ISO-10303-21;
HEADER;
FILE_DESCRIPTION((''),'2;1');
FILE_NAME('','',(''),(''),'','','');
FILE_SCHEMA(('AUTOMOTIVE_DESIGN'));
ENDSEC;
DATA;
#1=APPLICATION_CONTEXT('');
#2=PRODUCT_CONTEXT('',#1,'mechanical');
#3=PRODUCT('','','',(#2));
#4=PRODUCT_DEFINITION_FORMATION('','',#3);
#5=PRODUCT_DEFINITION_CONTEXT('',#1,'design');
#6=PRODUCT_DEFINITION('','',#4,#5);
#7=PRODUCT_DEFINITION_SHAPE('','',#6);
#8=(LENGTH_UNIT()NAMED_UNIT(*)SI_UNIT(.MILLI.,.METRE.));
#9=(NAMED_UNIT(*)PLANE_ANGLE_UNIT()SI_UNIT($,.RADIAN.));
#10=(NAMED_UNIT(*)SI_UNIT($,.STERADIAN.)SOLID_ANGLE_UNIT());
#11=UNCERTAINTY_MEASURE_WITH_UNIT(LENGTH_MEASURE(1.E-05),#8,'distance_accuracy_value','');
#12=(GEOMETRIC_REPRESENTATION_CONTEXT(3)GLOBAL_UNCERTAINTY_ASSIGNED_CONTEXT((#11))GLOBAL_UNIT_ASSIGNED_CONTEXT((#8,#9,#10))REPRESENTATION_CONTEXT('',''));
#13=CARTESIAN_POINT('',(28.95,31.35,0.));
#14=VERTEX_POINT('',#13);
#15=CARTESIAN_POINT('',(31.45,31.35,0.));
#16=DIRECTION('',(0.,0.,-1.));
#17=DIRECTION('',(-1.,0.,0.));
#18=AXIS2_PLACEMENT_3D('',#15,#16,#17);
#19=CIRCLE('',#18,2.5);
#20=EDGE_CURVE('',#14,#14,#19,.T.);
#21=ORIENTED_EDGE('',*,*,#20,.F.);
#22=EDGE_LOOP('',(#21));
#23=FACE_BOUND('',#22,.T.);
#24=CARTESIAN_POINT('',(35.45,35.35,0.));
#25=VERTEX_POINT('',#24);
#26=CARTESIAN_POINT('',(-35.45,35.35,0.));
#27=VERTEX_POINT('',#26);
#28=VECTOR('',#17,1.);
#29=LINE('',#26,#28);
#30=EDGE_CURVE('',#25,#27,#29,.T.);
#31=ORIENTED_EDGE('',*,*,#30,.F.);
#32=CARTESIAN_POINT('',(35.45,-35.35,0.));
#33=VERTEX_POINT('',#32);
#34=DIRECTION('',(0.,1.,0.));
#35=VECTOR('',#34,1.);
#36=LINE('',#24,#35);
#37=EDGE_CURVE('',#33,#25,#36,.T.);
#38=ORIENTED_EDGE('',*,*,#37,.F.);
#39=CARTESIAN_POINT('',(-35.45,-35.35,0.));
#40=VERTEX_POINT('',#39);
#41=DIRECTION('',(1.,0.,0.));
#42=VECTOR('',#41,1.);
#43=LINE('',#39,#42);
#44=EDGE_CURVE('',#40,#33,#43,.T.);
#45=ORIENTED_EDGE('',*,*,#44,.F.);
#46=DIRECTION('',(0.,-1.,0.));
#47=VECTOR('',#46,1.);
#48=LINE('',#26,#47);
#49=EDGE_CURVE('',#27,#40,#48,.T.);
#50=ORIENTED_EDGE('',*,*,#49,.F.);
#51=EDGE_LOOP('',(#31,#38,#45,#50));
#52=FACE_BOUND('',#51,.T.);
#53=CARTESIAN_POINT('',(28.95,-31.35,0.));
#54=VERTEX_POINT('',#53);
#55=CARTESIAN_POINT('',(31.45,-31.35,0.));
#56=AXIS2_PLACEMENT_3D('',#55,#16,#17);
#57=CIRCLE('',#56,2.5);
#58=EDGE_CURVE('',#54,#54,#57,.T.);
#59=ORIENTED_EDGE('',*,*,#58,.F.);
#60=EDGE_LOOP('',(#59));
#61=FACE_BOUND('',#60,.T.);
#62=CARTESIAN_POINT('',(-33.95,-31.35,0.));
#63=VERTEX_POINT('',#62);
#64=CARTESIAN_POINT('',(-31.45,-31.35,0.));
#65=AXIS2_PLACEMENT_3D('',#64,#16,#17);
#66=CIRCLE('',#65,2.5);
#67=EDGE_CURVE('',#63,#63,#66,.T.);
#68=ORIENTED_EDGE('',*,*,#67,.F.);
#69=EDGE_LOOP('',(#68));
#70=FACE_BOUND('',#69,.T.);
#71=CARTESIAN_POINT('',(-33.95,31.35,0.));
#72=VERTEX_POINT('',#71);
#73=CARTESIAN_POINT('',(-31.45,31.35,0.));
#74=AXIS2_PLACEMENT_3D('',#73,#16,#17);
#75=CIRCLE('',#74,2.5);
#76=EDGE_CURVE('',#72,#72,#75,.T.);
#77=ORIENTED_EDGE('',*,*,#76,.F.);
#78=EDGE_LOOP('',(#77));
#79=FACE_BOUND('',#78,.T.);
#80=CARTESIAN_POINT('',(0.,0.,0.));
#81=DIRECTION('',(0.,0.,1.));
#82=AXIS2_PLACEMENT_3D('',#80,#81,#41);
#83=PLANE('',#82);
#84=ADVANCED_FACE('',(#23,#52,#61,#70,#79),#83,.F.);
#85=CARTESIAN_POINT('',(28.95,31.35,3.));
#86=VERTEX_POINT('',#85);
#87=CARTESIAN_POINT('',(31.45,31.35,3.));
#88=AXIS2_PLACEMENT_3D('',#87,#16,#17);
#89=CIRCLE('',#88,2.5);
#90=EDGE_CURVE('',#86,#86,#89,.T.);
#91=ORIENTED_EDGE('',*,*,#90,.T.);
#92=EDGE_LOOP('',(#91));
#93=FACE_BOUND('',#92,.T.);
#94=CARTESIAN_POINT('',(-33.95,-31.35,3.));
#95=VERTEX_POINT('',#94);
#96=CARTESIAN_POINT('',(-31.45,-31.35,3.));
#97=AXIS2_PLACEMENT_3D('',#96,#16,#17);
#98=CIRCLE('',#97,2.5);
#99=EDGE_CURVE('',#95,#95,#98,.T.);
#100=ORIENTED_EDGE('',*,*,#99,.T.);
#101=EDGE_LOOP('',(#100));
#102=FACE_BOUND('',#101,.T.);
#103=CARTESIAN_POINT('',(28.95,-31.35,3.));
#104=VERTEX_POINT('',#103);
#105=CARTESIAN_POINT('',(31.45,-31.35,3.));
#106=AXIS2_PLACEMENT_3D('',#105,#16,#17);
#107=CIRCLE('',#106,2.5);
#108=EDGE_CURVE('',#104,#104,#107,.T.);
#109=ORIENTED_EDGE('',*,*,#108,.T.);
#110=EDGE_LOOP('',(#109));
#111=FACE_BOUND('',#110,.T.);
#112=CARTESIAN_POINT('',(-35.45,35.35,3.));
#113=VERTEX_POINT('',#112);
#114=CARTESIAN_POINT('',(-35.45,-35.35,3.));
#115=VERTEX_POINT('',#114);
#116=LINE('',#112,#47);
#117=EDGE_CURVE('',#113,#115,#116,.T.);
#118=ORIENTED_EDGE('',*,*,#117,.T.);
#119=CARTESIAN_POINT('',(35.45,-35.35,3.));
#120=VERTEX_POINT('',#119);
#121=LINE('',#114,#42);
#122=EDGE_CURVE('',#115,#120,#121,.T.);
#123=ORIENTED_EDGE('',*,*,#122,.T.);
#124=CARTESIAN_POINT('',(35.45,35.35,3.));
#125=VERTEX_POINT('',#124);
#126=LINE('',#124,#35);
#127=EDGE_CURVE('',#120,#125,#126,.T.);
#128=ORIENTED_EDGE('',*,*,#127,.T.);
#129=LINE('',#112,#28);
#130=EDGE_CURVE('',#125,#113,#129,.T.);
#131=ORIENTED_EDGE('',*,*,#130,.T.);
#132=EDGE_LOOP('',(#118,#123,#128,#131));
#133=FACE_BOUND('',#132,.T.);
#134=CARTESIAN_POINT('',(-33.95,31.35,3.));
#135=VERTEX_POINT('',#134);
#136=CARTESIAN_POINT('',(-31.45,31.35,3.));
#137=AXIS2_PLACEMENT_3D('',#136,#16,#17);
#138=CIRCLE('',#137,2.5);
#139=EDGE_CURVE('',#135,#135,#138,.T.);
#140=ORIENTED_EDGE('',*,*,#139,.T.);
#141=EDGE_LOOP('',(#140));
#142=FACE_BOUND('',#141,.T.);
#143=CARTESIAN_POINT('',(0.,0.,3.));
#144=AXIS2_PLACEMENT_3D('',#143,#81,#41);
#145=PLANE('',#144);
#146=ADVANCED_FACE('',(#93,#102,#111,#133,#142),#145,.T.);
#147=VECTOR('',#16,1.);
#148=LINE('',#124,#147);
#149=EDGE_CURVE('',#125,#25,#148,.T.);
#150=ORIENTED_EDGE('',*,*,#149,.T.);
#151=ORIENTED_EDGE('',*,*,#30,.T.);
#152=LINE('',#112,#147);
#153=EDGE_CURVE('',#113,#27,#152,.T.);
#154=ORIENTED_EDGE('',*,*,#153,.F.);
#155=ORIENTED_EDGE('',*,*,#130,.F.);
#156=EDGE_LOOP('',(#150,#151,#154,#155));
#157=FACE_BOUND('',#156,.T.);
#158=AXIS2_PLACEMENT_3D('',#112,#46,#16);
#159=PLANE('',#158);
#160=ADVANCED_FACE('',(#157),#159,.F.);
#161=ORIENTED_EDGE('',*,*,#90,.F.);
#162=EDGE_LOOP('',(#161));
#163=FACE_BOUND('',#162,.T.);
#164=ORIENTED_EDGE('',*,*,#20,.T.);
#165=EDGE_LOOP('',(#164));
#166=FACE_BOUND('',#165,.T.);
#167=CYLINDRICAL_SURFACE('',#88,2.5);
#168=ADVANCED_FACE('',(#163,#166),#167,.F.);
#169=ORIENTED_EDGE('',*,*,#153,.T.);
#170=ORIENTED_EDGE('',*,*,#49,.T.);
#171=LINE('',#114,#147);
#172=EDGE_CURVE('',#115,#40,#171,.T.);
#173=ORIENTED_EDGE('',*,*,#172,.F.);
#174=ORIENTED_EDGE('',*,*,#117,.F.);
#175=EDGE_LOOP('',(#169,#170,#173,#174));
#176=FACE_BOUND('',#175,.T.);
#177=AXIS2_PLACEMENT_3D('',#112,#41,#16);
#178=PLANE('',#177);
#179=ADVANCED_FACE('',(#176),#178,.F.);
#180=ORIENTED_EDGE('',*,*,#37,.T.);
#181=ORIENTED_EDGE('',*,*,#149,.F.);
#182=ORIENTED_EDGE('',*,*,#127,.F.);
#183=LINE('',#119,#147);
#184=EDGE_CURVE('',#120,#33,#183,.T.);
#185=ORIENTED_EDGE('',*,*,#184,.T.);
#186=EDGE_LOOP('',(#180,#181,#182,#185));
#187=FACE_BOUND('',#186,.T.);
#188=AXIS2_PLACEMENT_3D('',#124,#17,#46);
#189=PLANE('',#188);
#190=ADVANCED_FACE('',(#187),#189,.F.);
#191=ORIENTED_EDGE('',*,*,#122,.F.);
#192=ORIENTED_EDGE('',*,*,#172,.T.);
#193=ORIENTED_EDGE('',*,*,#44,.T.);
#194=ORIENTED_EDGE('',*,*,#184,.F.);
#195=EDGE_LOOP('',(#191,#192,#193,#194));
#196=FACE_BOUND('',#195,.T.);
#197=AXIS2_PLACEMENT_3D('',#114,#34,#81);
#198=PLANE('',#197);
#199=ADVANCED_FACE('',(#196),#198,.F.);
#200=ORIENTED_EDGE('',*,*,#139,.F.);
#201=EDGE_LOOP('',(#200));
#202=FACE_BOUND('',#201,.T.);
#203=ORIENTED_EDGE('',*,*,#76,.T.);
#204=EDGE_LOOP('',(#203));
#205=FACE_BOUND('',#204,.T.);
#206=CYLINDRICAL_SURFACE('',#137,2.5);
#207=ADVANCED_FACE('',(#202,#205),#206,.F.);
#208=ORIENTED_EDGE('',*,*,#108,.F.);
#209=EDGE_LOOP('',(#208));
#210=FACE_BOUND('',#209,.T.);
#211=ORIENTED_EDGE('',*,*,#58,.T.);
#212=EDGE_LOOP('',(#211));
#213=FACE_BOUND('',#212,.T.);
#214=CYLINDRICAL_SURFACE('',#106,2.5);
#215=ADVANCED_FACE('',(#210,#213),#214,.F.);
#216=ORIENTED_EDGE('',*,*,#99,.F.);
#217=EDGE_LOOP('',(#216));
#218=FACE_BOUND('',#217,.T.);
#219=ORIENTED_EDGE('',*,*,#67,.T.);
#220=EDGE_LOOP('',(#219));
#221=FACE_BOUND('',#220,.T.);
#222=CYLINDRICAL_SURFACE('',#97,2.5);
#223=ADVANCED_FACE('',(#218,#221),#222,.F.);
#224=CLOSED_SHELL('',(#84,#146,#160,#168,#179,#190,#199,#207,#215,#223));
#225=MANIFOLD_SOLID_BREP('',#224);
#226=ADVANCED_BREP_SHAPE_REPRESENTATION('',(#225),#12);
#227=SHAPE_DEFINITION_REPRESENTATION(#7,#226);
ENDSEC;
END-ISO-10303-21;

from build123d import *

# Parameters (mm, degrees)
SKETCH_1_W          = 70.9
SKETCH_1_H          = 70.7
EXTRUDE_1_DEPTH     = 3
SKETCH_2_R          = 2.5
CUT_EXTRUDE_1_DEPTH = 51.153015861


with BuildPart() as part:
    # 草图1 → 凸台-拉伸1 (new body)
    with BuildSketch(Plane.XY):
        Rectangle(SKETCH_1_W, SKETCH_1_H)
    extrude(amount=EXTRUDE_1_DEPTH)

    # 草图2 → 切除-拉伸1 (cut, through all)
    with BuildSketch(Plane(origin=(0, 0, 0), x_dir=(-1, 0, 0), z_dir=(0, 0, -1))):
        with Locations((-31.45, 31.35)):
            Circle(SKETCH_2_R)
        with Locations((-31.45, -31.35)):
            Circle(SKETCH_2_R)
        with Locations((31.45, -31.35)):
            Circle(SKETCH_2_R)
        with Locations((31.45, 31.35)):
            Circle(SKETCH_2_R)
    extrude(amount=-CUT_EXTRUDE_1_DEPTH, mode=Mode.SUBTRACT)


solid = part.part
